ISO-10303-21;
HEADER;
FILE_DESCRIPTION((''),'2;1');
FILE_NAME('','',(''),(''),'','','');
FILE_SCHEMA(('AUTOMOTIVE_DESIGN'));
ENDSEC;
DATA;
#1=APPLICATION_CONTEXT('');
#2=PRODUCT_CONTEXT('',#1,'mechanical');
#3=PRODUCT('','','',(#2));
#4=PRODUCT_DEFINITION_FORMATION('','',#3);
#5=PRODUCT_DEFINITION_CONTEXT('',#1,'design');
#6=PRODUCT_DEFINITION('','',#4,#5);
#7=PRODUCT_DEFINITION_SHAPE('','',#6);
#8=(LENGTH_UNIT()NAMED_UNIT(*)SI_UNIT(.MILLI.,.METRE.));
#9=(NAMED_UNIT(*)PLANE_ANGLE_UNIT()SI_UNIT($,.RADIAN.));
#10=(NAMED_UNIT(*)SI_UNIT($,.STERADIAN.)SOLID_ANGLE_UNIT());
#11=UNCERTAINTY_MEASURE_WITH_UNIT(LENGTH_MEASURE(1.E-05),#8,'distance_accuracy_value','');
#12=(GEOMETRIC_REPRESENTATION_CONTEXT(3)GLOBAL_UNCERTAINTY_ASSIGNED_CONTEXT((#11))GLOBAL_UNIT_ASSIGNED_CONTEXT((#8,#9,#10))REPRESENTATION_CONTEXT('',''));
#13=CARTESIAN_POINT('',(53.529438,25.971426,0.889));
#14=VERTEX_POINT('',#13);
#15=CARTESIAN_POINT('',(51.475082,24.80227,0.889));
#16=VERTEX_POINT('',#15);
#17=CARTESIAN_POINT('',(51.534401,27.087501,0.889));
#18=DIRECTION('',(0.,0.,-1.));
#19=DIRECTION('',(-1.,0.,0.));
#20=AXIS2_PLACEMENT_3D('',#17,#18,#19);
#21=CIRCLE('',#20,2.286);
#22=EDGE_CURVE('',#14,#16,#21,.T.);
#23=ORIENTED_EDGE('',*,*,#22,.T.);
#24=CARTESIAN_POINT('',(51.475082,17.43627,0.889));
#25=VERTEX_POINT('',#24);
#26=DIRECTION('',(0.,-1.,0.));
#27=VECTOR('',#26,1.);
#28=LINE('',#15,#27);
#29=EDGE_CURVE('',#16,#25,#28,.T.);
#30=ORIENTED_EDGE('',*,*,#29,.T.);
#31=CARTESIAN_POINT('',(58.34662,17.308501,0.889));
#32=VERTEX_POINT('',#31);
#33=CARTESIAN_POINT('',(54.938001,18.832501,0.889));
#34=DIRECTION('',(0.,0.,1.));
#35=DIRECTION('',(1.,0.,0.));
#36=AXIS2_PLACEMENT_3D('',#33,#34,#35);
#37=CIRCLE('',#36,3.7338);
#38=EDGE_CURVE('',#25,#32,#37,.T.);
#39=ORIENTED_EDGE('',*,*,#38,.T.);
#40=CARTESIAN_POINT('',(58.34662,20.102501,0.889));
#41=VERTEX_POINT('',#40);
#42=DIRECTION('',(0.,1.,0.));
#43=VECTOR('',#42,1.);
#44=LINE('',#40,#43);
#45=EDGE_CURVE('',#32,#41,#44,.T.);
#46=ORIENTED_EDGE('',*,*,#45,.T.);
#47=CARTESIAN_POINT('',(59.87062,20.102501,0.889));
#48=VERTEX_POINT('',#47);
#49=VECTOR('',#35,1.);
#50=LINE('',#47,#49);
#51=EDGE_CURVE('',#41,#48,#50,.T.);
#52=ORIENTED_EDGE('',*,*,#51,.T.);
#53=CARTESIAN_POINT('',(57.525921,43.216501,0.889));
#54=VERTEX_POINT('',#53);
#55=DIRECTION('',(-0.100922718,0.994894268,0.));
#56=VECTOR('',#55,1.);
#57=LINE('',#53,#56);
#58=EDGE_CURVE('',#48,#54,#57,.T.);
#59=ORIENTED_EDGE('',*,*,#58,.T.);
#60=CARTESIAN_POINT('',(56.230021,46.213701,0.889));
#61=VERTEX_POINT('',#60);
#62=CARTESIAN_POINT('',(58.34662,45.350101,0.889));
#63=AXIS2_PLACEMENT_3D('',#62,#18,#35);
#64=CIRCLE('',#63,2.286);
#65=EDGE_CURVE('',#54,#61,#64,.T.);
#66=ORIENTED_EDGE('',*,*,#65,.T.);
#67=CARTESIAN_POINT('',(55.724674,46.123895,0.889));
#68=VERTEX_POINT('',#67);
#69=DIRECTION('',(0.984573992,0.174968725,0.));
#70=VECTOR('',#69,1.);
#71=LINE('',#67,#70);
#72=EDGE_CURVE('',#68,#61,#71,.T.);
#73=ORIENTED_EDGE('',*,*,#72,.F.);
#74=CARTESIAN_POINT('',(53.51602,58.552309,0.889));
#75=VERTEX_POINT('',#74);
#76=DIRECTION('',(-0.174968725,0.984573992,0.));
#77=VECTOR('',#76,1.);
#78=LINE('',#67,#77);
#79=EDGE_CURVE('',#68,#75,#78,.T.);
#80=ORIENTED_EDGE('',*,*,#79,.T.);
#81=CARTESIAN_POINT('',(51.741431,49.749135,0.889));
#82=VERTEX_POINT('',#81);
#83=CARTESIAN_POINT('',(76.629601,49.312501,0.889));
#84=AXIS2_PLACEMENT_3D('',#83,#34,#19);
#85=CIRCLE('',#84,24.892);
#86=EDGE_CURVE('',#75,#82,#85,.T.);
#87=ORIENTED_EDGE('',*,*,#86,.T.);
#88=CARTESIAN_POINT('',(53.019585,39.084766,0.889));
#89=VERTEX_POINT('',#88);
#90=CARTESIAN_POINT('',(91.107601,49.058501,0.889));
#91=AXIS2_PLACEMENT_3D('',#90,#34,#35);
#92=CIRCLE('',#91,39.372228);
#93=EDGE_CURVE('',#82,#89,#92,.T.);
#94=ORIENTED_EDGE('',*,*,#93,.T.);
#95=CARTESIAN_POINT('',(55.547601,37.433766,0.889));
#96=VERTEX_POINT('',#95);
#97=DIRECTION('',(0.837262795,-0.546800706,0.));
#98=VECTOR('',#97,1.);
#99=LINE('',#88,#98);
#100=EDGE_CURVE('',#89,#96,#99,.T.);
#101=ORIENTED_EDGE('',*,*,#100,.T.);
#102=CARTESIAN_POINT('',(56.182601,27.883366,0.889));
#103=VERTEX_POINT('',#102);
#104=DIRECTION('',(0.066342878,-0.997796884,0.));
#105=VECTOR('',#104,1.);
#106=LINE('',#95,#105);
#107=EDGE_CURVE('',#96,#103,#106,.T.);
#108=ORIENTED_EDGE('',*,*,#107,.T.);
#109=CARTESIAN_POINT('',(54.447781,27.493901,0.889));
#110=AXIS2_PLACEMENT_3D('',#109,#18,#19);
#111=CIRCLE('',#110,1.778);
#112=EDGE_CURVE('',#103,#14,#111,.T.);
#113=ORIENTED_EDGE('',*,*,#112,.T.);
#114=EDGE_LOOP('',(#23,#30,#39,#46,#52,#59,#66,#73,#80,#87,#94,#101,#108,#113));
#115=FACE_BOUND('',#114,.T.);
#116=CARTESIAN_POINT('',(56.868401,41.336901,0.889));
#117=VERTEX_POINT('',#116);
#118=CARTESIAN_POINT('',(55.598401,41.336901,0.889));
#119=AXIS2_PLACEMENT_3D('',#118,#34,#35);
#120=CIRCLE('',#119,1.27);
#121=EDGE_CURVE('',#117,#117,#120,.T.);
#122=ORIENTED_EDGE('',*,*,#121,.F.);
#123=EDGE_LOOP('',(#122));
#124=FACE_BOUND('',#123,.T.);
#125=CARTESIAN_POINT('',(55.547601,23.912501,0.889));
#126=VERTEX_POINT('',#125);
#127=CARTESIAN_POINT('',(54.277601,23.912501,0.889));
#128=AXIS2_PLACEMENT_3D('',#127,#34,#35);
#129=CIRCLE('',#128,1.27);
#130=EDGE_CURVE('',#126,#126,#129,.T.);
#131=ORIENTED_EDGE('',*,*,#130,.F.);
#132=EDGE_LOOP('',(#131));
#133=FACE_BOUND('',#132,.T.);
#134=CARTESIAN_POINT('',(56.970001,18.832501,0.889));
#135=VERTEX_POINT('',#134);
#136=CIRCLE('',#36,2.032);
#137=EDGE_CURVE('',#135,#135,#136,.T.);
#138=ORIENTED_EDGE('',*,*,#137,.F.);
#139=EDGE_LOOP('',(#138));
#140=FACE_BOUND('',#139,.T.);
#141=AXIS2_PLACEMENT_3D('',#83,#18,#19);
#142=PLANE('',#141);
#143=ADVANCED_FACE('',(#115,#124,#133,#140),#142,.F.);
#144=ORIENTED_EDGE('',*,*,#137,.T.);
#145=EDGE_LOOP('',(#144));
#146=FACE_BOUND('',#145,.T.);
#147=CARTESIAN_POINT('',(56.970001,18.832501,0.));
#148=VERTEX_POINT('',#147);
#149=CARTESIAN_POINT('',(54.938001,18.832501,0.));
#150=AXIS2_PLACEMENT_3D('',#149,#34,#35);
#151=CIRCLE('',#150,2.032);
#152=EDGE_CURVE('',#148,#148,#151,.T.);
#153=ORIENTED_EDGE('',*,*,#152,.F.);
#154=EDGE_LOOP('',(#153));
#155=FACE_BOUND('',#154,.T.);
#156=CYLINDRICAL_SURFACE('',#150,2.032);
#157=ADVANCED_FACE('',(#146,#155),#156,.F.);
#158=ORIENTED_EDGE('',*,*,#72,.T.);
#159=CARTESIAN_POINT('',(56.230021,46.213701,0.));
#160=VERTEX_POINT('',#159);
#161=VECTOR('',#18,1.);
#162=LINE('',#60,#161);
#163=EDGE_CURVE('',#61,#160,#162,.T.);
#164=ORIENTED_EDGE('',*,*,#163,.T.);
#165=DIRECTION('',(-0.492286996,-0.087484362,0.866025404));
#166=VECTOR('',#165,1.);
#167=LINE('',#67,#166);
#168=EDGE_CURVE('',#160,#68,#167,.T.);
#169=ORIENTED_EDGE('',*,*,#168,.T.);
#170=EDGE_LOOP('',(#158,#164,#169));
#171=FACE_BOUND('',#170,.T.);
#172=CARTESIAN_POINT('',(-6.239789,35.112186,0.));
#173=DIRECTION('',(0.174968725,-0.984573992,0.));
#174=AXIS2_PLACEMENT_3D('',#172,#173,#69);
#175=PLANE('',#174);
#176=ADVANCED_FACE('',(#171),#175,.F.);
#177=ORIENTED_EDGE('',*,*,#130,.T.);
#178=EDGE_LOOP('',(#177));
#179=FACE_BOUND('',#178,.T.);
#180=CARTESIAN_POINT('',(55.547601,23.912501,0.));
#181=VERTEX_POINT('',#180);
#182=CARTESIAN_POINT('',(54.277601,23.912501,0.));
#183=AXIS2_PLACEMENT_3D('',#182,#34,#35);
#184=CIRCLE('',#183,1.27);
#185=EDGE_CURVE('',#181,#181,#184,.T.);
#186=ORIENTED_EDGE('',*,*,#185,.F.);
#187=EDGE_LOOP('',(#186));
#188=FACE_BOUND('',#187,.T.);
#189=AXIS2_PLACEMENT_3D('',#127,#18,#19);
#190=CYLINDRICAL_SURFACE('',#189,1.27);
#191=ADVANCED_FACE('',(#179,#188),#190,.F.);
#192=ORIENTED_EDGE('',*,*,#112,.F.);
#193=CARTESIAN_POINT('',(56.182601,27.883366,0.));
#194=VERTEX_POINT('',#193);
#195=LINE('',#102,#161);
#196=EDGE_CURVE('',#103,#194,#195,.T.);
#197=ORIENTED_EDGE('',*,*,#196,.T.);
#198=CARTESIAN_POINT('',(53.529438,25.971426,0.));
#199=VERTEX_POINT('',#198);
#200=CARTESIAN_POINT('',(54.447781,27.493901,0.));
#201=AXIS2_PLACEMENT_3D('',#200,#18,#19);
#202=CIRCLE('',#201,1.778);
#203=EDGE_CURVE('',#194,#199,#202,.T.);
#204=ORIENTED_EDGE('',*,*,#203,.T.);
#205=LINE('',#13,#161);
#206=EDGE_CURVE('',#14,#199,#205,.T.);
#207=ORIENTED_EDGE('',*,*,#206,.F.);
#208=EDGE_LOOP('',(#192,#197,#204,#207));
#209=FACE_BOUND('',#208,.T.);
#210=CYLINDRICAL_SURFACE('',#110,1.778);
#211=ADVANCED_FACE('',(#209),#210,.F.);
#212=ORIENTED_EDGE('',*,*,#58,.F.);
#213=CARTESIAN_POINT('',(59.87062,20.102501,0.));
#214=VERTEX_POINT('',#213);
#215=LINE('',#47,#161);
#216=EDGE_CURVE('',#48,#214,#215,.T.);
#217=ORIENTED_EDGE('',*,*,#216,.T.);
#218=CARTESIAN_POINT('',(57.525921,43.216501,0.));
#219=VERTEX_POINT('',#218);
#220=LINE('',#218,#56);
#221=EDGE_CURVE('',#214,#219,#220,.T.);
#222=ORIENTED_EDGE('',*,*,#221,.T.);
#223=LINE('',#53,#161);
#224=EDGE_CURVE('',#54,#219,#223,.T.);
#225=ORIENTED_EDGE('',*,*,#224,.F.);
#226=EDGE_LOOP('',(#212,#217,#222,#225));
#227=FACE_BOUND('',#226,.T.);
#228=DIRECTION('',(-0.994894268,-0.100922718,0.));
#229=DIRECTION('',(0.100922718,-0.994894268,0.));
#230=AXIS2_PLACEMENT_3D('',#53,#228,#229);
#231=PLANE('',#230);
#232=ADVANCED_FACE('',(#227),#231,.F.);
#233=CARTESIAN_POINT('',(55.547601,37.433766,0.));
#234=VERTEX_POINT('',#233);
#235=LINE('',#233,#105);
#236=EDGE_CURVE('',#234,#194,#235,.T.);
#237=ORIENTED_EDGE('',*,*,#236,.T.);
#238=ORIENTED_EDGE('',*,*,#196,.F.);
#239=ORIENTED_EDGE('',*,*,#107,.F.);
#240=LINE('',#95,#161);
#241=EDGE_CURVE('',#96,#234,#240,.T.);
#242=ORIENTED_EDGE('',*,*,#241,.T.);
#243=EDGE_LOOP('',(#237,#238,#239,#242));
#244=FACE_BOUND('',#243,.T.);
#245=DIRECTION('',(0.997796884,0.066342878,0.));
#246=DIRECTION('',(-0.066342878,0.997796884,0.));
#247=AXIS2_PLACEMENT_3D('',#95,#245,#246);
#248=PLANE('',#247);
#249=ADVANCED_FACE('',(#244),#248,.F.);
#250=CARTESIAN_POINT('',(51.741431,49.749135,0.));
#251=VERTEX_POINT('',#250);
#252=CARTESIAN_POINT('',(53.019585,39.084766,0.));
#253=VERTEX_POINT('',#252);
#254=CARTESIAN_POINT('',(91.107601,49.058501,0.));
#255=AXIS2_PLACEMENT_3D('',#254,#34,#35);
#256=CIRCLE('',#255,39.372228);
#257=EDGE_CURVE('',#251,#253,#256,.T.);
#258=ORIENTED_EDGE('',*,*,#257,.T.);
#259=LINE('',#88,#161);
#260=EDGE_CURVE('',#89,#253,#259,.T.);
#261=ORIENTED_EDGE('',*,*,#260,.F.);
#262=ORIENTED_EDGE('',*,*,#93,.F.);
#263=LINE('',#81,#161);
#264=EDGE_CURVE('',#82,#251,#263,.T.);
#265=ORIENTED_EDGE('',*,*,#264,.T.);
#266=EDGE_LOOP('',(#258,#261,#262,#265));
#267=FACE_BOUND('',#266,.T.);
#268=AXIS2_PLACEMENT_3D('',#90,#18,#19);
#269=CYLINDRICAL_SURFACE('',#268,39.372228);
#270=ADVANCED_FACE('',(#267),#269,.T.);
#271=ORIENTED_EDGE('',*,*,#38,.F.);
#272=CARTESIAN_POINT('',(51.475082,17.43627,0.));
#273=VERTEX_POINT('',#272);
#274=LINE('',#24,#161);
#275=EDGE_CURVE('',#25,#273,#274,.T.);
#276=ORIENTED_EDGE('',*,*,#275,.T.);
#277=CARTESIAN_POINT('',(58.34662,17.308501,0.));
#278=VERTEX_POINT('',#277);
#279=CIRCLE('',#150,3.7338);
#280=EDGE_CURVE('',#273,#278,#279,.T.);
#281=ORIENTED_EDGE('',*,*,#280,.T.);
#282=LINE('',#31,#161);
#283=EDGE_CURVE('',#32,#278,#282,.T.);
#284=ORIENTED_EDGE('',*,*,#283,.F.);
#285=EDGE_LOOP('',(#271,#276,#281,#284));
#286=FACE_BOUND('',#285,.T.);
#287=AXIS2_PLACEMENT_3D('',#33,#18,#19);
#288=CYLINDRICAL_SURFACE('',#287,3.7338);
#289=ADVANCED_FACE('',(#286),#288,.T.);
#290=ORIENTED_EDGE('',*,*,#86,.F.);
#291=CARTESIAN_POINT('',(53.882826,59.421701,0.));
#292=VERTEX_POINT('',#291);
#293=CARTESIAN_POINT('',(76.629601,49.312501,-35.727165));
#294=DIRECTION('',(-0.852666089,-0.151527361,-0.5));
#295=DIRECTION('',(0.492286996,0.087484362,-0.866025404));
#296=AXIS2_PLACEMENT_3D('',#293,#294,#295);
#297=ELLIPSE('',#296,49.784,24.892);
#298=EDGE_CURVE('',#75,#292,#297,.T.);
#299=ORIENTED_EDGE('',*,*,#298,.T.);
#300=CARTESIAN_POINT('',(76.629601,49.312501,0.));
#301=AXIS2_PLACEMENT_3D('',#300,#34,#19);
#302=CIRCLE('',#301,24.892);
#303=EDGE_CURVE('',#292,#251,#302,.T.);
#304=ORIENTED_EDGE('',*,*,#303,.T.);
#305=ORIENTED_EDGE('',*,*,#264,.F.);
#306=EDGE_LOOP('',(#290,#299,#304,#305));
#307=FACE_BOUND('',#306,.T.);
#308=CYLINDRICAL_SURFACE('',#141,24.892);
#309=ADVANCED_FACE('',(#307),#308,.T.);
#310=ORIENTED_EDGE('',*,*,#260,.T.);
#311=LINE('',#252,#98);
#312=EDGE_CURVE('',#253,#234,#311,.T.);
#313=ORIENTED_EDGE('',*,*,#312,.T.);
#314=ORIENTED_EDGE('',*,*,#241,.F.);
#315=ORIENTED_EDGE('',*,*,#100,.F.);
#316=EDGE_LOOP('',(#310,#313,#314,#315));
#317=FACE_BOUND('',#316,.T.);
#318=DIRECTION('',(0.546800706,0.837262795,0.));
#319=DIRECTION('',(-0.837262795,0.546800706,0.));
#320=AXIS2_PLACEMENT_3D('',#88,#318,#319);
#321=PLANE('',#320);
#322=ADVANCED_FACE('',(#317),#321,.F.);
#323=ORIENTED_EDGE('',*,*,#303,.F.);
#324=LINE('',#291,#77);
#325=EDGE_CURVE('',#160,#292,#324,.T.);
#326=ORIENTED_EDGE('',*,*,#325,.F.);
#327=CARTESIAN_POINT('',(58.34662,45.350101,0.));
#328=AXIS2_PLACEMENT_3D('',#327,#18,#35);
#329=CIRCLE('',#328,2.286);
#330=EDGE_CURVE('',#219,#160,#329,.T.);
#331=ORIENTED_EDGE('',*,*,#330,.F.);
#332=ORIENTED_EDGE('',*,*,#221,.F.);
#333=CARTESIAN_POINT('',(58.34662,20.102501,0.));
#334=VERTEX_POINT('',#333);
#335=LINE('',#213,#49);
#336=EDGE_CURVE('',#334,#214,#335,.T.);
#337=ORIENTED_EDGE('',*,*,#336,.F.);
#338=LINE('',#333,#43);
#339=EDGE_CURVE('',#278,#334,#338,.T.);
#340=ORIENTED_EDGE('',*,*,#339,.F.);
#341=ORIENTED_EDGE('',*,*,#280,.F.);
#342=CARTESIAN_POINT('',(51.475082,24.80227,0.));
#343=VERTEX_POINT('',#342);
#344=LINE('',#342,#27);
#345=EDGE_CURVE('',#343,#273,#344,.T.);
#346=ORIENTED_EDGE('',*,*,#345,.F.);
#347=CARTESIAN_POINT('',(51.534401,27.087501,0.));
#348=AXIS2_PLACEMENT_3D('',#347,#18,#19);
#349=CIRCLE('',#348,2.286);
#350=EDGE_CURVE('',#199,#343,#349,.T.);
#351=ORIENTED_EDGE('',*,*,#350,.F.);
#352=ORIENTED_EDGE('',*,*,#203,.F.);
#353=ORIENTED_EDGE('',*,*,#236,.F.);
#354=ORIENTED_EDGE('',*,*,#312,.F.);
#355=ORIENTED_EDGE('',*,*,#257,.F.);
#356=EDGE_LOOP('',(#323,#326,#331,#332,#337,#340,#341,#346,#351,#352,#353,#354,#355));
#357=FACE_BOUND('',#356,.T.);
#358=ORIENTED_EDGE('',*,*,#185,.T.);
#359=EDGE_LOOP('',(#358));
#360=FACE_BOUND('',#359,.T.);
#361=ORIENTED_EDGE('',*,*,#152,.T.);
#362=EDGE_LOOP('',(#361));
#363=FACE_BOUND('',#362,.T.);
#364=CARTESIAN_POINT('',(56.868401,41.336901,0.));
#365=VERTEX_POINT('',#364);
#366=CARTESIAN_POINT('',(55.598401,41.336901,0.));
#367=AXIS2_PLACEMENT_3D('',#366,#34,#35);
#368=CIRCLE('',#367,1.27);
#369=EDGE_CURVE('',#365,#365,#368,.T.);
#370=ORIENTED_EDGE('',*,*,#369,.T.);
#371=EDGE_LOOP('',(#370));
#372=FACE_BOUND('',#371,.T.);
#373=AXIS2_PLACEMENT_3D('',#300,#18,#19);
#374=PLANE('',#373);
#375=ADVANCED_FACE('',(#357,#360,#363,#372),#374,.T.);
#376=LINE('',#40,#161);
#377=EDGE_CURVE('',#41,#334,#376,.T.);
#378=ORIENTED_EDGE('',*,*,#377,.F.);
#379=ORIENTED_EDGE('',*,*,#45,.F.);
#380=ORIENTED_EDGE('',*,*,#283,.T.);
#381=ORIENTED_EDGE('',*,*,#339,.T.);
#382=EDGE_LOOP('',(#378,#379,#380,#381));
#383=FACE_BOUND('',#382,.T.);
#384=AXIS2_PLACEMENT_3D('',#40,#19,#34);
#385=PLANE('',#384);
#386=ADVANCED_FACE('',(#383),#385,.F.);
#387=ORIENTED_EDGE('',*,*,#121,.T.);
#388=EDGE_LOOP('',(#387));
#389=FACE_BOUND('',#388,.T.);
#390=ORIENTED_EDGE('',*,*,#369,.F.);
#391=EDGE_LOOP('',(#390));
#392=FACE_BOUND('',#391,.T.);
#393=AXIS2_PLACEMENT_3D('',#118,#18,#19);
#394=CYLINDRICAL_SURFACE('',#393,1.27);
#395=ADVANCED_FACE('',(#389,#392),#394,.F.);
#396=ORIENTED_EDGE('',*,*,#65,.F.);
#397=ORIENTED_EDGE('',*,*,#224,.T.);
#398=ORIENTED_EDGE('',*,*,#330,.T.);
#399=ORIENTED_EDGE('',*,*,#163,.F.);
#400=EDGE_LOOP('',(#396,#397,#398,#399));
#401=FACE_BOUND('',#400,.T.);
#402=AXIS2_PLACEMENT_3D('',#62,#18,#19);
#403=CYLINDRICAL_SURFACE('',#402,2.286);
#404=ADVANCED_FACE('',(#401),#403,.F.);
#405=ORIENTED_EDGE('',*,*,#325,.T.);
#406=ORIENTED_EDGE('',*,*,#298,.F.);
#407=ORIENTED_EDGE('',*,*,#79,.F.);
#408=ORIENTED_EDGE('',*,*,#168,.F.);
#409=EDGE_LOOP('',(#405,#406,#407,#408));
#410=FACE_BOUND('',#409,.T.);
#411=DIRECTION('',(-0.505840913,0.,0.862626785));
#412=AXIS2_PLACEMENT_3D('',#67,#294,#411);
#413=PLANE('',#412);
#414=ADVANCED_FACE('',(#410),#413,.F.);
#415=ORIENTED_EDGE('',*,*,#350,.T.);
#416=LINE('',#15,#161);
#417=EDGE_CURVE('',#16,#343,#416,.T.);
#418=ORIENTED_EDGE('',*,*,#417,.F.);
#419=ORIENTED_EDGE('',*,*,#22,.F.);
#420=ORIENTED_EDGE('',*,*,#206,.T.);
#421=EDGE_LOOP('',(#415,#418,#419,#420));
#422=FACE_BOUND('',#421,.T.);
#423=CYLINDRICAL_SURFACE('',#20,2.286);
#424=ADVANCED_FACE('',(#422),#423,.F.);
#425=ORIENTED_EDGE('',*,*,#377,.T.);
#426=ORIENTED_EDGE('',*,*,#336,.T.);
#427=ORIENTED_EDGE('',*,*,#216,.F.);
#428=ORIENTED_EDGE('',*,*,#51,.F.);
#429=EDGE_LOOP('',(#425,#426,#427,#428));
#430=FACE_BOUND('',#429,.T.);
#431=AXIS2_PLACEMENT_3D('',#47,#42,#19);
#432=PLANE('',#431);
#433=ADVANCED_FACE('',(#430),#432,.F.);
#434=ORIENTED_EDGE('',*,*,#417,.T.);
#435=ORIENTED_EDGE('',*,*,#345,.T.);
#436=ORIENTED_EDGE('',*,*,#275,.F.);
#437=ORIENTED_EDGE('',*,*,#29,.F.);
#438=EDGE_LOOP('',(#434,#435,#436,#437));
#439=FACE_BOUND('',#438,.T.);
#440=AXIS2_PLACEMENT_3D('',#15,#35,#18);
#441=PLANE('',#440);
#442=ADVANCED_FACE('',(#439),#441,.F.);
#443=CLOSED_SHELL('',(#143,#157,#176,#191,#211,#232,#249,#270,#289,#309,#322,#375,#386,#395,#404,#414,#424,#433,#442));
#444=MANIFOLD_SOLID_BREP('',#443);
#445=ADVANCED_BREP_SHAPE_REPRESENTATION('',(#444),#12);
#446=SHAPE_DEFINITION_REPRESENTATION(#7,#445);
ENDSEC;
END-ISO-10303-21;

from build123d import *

# Parameters (mm, degrees)
SKETCH1_R           = 1.27
BOSS_EXTRUDE3_DEPTH = 0.889
SKETCH3_R           = 2.032
CUT_EXTRUDE1_DEPTH  = 1.889
CUT_EXTRUDE2_DEPTH  = 24.373709


with BuildPart() as part:
    # Sketch1 → Boss-Extrude3 (new body)
    with BuildSketch(Plane.XY):
        with BuildLine():
            Line((53.882826418, 59.421700713), (56.230021181, 46.213700713))
            ThreePointArc((56.230021181, 46.213700713), (56.248351323, 44.442871919), (57.525920997, 43.216500713))
            Line((57.525920997, 43.216500713), (59.870620113, 20.102500713))
            Line((59.870620113, 20.102500713), (58.346620113, 20.102500713))
            Line((58.346620113, 20.102500713), (58.346620113, 17.308500713))
            ThreePointArc((58.346620113, 17.308500713), (54.868586202, 15.099346005), (51.475082329, 17.436270454))
            Line((51.475082329, 17.436270454), (51.475082329, 24.802270454))
            ThreePointArc((51.475082329, 24.802270454), (52.66510076, 25.100716041), (53.529437672, 25.971425715))
            ThreePointArc((53.529437672, 25.971425715), (55.487269989, 26.051421604), (56.18260068, 27.883366459))
            Line((56.18260068, 27.883366459), (55.54760068, 37.433766459))
            Line((55.54760068, 37.433766459), (53.019584786, 39.084766459))
            ThreePointArc((53.019584786, 39.084766459), (52.015147123, 44.373161392), (51.741430513, 49.749135277))
            ThreePointArc((51.741430513, 49.749135277), (52.3260698, 54.693025851), (53.882826418, 59.421700713))
        make_face()
        with Locations((55.59840068, 41.336900713)):
            Circle(SKETCH1_R, mode=Mode.SUBTRACT)
        with Locations((54.27760068, 23.912500713)):
            Circle(SKETCH1_R, mode=Mode.SUBTRACT)
    extrude(amount=BOSS_EXTRUDE3_DEPTH)

    # Sketch3 → Cut-Extrude1 (cut, through all)
    with BuildSketch(Plane.XY.offset(0.889)):
        with Locations((54.93800068, 18.832500713)):
            Circle(SKETCH3_R)
    extrude(amount=-CUT_EXTRUDE1_DEPTH, mode=Mode.SUBTRACT)

    # Sketch4 → Cut-Extrude2 (cut)
    with BuildSketch(Plane(origin=(-10.504426242, 59.109905984, 0), x_dir=(0.984573992, 0.174968725, 0), z_dir=(-0.174968725, 0.984573992, 0))):
        Polygon((63.448568698, 0), (63.448568698, -0.889), (62.935304309, -0.889), align=None)
    extrude(amount=-CUT_EXTRUDE2_DEPTH, mode=Mode.SUBTRACT)


solid = part.part
